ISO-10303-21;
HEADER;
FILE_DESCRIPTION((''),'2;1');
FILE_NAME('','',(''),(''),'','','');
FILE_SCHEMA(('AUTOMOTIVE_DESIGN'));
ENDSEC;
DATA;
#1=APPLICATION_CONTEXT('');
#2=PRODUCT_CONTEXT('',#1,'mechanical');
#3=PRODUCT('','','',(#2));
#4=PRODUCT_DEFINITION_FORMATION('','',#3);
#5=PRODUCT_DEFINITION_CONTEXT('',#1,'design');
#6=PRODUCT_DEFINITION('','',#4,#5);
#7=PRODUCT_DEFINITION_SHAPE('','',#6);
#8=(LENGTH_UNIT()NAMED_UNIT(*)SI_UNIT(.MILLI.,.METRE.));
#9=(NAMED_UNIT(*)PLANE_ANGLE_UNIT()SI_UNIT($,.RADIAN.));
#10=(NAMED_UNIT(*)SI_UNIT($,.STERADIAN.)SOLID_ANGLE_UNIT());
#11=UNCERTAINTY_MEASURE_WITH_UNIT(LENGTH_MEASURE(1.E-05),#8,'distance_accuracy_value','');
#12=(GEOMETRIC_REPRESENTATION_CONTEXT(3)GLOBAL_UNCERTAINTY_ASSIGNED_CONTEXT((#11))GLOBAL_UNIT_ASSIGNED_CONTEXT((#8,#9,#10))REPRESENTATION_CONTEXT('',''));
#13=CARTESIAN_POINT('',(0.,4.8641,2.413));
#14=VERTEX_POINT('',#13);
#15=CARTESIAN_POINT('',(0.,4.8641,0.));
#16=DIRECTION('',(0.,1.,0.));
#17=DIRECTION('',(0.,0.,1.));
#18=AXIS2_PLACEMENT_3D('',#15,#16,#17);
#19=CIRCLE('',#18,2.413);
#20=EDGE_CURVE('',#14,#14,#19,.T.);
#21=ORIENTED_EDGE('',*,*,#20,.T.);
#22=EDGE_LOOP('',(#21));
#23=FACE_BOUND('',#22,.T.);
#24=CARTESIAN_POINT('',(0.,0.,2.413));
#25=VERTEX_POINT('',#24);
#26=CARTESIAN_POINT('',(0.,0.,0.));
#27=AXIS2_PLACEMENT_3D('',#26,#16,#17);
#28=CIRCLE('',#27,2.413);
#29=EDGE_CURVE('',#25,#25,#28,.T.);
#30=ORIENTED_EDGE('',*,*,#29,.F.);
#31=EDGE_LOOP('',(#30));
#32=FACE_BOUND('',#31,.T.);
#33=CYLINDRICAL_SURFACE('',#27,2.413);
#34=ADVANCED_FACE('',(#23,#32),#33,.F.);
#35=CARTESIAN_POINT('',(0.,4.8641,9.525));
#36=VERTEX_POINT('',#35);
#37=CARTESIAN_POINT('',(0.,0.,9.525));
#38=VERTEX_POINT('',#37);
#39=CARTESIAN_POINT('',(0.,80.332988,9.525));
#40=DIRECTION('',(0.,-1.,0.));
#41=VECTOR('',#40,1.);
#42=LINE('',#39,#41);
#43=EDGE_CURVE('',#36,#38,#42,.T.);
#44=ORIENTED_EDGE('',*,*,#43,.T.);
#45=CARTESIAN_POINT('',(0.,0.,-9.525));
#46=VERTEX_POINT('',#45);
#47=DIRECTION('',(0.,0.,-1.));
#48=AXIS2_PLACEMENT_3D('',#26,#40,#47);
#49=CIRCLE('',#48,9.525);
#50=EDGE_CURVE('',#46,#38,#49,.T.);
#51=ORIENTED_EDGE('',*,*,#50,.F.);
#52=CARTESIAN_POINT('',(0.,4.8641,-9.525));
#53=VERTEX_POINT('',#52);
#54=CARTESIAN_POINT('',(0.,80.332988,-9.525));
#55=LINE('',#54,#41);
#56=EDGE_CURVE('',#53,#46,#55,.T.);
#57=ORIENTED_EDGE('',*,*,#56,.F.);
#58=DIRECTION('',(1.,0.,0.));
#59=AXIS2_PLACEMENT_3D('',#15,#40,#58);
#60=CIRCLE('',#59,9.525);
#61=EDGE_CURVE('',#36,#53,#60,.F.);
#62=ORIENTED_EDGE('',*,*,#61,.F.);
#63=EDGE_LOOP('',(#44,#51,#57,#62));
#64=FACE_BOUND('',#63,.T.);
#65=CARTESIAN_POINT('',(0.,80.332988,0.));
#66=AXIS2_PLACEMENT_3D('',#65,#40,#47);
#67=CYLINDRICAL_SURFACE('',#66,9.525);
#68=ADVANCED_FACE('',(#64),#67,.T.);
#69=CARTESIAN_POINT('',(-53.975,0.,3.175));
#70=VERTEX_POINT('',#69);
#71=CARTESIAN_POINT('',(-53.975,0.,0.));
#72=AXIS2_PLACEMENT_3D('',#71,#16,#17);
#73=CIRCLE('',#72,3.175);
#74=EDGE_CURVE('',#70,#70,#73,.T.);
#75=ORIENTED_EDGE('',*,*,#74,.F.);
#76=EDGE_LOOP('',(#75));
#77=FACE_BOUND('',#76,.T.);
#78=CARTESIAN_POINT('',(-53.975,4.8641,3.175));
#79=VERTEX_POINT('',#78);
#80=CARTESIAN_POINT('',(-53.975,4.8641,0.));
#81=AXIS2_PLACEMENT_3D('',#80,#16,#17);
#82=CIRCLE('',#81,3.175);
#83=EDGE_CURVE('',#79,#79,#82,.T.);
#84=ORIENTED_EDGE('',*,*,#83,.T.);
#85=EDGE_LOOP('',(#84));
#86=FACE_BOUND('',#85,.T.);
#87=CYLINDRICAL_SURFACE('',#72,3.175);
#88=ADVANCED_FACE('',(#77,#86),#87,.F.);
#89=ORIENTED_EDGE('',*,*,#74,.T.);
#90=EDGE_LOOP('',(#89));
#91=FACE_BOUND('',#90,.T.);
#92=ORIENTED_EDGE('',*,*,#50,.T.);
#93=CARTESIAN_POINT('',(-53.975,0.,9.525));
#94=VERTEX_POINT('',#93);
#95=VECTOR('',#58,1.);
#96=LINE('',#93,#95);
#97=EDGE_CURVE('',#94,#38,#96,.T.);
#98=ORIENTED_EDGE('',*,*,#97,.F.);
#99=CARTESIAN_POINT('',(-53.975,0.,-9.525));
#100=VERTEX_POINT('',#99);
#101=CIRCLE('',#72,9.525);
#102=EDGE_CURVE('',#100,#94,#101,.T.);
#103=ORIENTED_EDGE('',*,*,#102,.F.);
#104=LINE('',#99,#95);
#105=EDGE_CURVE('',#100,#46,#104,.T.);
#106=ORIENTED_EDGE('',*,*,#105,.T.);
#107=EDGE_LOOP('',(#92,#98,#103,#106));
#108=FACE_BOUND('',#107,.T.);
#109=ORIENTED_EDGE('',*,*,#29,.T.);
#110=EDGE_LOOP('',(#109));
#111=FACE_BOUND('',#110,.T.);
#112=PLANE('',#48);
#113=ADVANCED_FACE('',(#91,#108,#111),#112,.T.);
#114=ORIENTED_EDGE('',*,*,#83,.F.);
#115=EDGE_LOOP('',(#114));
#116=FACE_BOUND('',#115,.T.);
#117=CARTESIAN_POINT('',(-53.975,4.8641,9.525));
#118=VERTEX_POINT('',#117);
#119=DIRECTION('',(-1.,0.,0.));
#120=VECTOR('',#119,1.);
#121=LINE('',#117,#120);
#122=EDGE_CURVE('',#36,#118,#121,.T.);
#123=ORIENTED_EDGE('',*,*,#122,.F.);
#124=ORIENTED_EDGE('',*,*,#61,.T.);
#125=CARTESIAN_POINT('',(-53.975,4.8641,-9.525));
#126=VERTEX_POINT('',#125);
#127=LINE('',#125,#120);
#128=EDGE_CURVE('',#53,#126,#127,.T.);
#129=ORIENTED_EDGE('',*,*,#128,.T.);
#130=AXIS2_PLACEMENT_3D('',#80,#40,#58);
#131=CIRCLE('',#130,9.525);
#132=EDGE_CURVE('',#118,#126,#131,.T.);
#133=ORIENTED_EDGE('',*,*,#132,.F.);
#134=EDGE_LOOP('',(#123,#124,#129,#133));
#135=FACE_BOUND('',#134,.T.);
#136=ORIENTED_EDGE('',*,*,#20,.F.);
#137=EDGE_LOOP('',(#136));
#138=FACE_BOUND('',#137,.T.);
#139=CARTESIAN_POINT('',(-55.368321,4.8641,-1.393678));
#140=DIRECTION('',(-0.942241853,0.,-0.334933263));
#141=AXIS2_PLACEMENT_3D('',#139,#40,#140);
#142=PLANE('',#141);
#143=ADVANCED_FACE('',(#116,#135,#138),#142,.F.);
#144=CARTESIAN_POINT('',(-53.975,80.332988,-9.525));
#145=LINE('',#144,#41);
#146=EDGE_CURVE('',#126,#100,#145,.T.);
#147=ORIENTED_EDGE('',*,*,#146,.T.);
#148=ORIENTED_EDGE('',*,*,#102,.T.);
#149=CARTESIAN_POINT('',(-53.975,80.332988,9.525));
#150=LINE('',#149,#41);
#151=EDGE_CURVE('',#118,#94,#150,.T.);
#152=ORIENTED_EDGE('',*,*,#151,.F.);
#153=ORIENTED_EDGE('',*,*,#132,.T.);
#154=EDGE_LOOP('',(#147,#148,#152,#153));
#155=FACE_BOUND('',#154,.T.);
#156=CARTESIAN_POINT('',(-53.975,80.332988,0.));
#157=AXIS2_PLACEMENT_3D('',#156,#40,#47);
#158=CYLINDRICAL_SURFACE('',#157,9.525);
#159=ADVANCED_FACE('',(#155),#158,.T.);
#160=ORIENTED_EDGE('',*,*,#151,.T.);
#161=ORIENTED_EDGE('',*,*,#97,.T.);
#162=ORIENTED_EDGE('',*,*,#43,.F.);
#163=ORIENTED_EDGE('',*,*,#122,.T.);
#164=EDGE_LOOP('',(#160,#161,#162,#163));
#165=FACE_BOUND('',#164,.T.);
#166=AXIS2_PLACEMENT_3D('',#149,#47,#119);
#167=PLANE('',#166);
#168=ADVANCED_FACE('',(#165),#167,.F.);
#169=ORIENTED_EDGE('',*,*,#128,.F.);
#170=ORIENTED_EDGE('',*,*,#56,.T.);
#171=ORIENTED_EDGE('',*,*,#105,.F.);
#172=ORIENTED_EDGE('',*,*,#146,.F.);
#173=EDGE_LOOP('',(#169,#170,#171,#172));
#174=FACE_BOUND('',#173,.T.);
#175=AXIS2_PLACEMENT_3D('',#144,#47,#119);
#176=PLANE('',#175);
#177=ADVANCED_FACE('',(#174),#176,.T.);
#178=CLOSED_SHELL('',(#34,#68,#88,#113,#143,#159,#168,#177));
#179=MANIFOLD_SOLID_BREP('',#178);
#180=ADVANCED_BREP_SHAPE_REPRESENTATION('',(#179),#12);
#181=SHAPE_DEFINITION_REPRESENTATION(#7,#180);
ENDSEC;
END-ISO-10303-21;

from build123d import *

# Parameters (mm, degrees)
BOSS_EXTRUDE1_DEPTH = 4.8641
SKETCH3_R           = 3.175
SKETCH3_R_2         = 2.413
CUT_EXTRUDE1_DEPTH  = 65.3943716


with BuildPart() as part:
    # Sketch1 → Boss-Extrude1 (new body)
    with BuildSketch(Plane(origin=(0, 0, 0), x_dir=(1, 0, 0), z_dir=(0, 1, 0))):
        with BuildLine():
            Line((-53.975, 9.525), (0, 9.525))
            ThreePointArc((0, 9.525), (9.525, 0), (0, -9.525))
            Line((0, -9.525), (-53.975, -9.525))
            ThreePointArc((-53.975, -9.525), (-63.5, 0), (-53.975, 9.525))
        make_face()
    extrude(amount=BOSS_EXTRUDE1_DEPTH)

    # Sketch3 → Cut-Extrude1 (cut, through all)
    with BuildSketch(Plane(origin=(0, 4.8641, 0), x_dir=(1, 0, 0), z_dir=(0, 1, 0))):
        with Locations(Location((-53.975, 0, 0), (0, 0, 270))):
            Circle(SKETCH3_R)
        with Locations(Location((0, 0, 0), (0, 0, 270))):
            Circle(SKETCH3_R_2)
    extrude(amount=-CUT_EXTRUDE1_DEPTH, mode=Mode.SUBTRACT)


solid = part.part
